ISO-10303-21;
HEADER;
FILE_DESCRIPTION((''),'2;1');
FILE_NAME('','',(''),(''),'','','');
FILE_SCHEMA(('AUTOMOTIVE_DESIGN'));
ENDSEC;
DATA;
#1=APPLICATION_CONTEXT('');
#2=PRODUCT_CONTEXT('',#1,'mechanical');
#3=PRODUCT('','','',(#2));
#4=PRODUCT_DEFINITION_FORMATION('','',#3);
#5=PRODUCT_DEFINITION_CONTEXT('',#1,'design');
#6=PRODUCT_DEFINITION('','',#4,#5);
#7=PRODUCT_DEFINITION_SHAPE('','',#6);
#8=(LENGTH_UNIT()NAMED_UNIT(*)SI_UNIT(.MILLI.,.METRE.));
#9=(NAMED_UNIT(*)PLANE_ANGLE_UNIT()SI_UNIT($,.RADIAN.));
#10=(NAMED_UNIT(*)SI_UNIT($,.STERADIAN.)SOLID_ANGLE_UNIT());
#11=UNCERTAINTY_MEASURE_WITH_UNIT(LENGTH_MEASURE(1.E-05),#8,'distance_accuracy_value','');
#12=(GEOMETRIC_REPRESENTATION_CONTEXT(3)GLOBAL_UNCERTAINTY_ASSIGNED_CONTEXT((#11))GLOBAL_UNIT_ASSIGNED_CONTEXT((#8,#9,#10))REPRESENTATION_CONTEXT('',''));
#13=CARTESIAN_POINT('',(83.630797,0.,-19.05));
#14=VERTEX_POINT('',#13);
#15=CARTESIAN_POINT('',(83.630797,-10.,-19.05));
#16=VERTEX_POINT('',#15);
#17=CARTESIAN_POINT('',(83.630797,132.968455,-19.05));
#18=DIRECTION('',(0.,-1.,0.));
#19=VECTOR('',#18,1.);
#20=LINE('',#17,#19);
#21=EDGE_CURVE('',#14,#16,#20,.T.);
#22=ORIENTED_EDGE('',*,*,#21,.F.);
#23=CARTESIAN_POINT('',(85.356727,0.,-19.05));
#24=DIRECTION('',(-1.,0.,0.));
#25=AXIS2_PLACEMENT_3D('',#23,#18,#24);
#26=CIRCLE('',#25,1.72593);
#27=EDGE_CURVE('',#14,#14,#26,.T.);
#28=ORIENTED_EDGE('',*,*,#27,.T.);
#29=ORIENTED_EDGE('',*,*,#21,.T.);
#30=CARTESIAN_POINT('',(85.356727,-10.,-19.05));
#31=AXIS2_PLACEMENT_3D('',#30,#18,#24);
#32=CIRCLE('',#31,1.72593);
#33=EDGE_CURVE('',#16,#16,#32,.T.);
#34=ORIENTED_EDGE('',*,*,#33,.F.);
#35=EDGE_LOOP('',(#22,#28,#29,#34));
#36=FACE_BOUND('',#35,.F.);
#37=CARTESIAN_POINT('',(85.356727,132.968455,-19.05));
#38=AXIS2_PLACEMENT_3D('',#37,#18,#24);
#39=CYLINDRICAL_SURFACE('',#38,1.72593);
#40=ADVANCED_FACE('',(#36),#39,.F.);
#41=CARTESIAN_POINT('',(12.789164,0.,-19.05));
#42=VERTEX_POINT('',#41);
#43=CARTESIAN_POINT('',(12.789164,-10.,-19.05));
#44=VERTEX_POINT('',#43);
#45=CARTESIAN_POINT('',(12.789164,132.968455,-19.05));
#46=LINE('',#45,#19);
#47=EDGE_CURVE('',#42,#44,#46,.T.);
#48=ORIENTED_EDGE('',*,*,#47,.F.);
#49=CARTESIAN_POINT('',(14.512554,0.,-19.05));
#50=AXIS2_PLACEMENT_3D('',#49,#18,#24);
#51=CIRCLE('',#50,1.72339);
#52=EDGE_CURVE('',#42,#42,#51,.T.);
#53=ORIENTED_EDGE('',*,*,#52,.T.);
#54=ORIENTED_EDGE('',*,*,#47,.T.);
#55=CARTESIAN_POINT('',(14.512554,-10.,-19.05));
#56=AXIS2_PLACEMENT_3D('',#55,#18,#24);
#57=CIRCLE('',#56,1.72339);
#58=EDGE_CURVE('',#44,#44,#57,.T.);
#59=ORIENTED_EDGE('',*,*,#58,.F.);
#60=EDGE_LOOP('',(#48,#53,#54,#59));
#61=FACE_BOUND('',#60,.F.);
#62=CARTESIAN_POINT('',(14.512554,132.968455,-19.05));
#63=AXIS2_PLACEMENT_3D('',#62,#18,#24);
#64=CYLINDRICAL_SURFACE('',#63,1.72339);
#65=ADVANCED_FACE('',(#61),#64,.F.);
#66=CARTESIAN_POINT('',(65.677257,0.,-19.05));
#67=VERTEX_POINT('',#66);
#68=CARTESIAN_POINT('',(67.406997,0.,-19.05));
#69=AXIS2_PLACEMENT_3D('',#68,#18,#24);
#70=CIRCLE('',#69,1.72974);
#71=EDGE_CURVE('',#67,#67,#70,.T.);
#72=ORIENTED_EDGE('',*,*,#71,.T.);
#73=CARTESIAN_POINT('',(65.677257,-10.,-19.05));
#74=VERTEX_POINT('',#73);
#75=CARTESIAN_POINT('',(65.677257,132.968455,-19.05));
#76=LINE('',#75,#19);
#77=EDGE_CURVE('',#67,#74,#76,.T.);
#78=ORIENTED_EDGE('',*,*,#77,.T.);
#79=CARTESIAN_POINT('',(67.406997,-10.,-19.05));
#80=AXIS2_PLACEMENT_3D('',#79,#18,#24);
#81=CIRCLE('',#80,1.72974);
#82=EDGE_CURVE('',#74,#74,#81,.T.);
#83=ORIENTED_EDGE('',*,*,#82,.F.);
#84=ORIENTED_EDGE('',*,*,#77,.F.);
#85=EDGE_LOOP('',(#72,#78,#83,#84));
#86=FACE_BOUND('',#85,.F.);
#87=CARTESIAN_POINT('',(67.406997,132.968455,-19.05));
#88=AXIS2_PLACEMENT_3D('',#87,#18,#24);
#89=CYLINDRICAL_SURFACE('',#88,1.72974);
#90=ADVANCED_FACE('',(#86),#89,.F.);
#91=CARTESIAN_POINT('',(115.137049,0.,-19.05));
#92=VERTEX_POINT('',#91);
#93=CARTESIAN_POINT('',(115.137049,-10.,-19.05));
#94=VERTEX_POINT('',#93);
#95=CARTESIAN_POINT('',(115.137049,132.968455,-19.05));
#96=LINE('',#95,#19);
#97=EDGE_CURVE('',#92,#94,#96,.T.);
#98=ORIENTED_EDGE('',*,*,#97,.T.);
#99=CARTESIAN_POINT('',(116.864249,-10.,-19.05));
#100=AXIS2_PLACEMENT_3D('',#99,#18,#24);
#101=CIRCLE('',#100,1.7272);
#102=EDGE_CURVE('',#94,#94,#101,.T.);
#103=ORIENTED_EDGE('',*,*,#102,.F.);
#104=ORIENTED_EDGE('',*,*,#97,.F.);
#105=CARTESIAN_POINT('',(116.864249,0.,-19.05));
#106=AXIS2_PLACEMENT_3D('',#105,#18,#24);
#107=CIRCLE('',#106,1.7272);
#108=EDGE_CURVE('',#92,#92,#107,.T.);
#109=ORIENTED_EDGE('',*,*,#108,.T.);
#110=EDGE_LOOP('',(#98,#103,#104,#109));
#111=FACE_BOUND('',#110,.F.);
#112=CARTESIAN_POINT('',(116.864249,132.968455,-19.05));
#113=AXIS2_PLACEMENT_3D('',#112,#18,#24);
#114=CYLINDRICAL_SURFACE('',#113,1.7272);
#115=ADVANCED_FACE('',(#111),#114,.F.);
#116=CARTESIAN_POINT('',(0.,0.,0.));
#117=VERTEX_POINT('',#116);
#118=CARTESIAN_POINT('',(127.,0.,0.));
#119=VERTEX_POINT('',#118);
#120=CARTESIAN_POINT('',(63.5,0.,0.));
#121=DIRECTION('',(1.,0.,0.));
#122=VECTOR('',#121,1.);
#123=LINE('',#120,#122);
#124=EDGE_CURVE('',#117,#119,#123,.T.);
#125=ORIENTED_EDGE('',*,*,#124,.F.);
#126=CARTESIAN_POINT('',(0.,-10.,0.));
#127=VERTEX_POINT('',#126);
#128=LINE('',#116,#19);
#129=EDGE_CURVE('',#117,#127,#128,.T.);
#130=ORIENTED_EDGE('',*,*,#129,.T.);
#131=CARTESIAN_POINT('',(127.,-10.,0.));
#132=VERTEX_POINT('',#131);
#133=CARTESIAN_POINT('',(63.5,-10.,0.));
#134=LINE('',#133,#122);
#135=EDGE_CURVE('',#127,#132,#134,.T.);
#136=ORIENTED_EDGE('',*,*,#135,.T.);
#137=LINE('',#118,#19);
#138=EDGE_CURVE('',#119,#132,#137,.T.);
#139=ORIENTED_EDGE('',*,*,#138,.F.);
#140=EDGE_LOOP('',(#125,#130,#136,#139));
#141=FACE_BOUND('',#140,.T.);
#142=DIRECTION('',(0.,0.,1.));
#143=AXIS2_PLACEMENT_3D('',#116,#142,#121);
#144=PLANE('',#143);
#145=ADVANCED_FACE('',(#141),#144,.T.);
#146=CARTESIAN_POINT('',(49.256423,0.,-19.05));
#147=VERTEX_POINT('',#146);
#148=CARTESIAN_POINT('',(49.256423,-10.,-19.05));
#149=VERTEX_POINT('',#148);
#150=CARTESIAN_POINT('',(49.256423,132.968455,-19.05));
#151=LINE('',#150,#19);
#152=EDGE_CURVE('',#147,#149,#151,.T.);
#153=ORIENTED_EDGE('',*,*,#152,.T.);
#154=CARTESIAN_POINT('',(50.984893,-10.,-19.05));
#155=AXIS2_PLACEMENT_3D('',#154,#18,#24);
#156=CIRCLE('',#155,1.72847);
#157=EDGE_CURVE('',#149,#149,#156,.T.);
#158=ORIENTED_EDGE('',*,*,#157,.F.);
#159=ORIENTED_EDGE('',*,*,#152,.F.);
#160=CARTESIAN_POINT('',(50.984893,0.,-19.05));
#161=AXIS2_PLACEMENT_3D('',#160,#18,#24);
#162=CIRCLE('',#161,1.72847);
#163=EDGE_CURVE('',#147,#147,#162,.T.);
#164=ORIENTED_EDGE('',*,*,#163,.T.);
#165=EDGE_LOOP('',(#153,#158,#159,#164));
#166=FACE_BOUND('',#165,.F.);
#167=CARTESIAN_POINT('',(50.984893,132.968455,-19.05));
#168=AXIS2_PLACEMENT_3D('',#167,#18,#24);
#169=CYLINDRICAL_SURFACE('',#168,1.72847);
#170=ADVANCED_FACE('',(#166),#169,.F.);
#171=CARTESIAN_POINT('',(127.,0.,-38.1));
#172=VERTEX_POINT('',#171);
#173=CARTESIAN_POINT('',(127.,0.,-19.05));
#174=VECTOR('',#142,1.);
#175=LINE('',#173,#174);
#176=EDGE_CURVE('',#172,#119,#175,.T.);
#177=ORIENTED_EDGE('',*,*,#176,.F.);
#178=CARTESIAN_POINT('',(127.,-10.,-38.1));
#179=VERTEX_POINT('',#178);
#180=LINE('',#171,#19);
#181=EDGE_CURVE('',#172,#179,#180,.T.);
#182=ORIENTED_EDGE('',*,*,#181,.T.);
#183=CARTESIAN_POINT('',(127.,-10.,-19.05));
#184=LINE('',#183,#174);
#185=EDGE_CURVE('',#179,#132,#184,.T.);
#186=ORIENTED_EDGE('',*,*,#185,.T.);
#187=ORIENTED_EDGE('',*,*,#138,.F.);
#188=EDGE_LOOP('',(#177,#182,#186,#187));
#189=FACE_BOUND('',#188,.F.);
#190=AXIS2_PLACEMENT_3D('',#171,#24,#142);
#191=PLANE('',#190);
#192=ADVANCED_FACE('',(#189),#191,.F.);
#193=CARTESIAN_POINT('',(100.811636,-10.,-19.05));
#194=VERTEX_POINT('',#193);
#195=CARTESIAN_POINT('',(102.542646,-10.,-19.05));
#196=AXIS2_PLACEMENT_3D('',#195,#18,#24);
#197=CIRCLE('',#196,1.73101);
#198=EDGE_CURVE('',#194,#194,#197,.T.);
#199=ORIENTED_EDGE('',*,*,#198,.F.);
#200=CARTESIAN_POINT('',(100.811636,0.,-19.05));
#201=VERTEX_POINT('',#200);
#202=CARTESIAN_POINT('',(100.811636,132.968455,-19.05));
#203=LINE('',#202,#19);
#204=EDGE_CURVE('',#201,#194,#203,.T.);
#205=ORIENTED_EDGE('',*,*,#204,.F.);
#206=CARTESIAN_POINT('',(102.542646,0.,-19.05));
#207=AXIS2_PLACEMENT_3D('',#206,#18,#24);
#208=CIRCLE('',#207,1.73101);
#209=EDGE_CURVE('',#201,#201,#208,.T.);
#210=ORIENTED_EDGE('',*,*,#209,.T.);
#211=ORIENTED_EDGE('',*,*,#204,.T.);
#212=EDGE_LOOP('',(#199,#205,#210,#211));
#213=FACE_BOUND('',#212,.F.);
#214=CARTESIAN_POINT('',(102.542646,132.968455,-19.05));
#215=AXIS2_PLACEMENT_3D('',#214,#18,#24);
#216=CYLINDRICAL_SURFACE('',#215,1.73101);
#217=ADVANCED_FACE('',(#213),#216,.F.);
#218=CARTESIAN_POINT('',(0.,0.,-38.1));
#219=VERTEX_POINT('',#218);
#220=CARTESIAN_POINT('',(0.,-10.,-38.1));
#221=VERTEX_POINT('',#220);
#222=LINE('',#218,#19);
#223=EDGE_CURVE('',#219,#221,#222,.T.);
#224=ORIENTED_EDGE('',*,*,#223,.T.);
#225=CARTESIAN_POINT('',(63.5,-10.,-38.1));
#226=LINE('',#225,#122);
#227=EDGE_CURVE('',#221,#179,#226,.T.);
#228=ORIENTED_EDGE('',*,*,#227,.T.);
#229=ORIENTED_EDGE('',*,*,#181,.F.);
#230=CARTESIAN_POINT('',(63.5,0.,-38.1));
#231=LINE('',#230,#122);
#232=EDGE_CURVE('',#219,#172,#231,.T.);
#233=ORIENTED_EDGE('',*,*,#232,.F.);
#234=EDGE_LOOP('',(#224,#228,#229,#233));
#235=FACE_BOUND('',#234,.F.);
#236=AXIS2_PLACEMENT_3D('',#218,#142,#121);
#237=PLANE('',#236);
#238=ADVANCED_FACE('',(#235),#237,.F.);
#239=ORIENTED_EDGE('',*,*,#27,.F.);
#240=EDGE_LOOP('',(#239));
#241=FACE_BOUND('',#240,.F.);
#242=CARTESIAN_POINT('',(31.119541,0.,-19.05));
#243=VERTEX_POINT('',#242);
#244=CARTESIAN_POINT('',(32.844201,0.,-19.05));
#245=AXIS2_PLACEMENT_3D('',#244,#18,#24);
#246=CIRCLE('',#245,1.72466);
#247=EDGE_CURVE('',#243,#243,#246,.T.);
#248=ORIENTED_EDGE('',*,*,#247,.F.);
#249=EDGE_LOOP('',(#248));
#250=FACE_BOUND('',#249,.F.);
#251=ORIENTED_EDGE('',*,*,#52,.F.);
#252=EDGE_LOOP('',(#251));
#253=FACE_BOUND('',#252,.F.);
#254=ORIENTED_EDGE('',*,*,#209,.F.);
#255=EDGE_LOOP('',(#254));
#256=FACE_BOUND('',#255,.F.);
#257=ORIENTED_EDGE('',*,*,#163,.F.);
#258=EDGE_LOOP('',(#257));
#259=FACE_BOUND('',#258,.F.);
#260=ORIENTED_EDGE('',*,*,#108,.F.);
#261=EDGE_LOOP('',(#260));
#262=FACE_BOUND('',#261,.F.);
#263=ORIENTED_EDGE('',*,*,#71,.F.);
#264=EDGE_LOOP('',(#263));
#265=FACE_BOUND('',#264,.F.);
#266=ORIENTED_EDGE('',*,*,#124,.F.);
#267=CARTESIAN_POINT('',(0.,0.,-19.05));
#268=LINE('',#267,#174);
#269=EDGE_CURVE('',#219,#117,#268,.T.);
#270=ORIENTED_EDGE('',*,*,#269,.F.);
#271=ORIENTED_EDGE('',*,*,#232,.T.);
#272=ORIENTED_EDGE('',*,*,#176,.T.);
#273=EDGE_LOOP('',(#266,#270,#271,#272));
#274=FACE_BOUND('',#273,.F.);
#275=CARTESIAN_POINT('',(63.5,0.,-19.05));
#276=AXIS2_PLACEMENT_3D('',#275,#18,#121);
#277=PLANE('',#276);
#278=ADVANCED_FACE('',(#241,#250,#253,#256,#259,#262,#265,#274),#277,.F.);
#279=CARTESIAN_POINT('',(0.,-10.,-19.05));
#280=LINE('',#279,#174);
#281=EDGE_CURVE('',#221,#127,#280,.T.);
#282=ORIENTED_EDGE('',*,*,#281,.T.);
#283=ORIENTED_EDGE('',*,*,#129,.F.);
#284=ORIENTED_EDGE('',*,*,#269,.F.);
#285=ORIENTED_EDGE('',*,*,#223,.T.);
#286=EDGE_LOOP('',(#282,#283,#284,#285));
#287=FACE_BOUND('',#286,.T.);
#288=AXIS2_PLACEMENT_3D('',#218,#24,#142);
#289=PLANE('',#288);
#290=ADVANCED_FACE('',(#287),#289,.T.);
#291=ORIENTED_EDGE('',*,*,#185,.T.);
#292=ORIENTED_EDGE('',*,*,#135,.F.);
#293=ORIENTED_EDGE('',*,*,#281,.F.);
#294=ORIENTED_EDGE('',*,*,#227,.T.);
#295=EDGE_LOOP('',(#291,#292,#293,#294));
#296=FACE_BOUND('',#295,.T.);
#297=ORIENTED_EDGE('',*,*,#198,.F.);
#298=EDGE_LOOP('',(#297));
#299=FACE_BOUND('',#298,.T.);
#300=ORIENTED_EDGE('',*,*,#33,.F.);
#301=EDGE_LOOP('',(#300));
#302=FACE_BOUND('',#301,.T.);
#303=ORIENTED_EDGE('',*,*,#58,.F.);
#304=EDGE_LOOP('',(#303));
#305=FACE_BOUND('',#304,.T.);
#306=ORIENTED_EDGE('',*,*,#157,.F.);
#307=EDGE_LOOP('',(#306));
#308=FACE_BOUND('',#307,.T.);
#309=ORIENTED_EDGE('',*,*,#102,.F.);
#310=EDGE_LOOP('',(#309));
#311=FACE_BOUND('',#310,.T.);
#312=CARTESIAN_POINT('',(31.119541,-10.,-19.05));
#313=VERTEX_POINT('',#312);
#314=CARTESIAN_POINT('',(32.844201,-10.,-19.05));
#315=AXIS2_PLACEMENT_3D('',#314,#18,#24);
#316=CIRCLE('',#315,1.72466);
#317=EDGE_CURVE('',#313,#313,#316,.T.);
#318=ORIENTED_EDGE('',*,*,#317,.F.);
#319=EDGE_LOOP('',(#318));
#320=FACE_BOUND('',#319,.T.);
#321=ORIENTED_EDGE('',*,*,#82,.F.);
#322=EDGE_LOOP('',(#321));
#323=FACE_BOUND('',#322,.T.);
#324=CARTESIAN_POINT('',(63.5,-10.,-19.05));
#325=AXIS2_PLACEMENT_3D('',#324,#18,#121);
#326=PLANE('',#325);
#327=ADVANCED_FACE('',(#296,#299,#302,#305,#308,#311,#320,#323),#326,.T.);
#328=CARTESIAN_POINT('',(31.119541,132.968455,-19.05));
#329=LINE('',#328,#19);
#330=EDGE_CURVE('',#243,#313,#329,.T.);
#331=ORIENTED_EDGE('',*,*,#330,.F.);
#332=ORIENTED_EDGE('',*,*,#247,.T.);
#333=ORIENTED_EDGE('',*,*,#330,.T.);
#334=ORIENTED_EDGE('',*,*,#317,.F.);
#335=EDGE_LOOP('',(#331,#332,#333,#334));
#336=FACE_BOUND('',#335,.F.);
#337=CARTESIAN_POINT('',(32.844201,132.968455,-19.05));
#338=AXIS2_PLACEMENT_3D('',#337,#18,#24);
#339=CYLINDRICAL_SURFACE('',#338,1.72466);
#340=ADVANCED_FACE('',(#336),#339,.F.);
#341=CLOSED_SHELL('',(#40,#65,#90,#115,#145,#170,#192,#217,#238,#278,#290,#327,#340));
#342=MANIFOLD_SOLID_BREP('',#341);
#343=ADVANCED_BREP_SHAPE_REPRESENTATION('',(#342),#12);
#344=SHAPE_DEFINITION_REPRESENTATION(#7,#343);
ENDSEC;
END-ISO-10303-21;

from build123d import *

# Parameters (mm, degrees)
F0_W     = 127
F0_H     = 38.1
F1_DEPTH = 10
F3_D     = 3.44678
F4_D     = 3.44932
F5_D     = 3.45186
F6_D     = 3.4544
F7_D     = 3.45694
F8_D     = 3.45948
F9_D     = 3.46202


with BuildPart() as f1:
    # F0 (on Front) → F1 (new body)
    with BuildSketch(Plane.XZ):
        with Locations((63.5, -19.05)):
            Rectangle(F0_W, F0_H)
    extrude(amount=F1_DEPTH)

    # F3 (through all)
    with Locations(Plane(origin=(0, 0, 0), x_dir=(1, 0, 0), z_dir=(0, 1, 0))):
        with Locations((14.5125538111, 19.05)):
            Hole(F3_D / 2)

    # F4 (through all)
    with Locations(Plane(origin=(0, 0, 0), x_dir=(1, 0, 0), z_dir=(0, 1, 0))):
        with Locations((32.8442007303, 19.05)):
            Hole(F4_D / 2)

    # F5 (through all)
    with Locations(Plane(origin=(0, 0, 0), x_dir=(1, 0, 0), z_dir=(0, 1, 0))):
        with Locations((85.3567272425, 19.05)):
            Hole(F5_D / 2)

    # F6 (through all)
    with Locations(Plane(origin=(0, 0, 0), x_dir=(1, 0, 0), z_dir=(0, 1, 0))):
        with Locations((116.8642491102, 19.05)):
            Hole(F6_D / 2)

    # F7 (through all)
    with Locations(Plane(origin=(0, 0, 0), x_dir=(1, 0, 0), z_dir=(0, 1, 0))):
        with Locations((50.9848929942, 19.05)):
            Hole(F7_D / 2)

    # F8 (through all)
    with Locations(Plane(origin=(0, 0, 0), x_dir=(1, 0, 0), z_dir=(0, 1, 0))):
        with Locations((67.4069970846, 19.05)):
            Hole(F8_D / 2)

    # F9 (through all)
    with Locations(Plane(origin=(0, 0, 0), x_dir=(1, 0, 0), z_dir=(0, 1, 0))):
        with Locations((102.5426462293, 19.05)):
            Hole(F9_D / 2)


solid = f1.part
